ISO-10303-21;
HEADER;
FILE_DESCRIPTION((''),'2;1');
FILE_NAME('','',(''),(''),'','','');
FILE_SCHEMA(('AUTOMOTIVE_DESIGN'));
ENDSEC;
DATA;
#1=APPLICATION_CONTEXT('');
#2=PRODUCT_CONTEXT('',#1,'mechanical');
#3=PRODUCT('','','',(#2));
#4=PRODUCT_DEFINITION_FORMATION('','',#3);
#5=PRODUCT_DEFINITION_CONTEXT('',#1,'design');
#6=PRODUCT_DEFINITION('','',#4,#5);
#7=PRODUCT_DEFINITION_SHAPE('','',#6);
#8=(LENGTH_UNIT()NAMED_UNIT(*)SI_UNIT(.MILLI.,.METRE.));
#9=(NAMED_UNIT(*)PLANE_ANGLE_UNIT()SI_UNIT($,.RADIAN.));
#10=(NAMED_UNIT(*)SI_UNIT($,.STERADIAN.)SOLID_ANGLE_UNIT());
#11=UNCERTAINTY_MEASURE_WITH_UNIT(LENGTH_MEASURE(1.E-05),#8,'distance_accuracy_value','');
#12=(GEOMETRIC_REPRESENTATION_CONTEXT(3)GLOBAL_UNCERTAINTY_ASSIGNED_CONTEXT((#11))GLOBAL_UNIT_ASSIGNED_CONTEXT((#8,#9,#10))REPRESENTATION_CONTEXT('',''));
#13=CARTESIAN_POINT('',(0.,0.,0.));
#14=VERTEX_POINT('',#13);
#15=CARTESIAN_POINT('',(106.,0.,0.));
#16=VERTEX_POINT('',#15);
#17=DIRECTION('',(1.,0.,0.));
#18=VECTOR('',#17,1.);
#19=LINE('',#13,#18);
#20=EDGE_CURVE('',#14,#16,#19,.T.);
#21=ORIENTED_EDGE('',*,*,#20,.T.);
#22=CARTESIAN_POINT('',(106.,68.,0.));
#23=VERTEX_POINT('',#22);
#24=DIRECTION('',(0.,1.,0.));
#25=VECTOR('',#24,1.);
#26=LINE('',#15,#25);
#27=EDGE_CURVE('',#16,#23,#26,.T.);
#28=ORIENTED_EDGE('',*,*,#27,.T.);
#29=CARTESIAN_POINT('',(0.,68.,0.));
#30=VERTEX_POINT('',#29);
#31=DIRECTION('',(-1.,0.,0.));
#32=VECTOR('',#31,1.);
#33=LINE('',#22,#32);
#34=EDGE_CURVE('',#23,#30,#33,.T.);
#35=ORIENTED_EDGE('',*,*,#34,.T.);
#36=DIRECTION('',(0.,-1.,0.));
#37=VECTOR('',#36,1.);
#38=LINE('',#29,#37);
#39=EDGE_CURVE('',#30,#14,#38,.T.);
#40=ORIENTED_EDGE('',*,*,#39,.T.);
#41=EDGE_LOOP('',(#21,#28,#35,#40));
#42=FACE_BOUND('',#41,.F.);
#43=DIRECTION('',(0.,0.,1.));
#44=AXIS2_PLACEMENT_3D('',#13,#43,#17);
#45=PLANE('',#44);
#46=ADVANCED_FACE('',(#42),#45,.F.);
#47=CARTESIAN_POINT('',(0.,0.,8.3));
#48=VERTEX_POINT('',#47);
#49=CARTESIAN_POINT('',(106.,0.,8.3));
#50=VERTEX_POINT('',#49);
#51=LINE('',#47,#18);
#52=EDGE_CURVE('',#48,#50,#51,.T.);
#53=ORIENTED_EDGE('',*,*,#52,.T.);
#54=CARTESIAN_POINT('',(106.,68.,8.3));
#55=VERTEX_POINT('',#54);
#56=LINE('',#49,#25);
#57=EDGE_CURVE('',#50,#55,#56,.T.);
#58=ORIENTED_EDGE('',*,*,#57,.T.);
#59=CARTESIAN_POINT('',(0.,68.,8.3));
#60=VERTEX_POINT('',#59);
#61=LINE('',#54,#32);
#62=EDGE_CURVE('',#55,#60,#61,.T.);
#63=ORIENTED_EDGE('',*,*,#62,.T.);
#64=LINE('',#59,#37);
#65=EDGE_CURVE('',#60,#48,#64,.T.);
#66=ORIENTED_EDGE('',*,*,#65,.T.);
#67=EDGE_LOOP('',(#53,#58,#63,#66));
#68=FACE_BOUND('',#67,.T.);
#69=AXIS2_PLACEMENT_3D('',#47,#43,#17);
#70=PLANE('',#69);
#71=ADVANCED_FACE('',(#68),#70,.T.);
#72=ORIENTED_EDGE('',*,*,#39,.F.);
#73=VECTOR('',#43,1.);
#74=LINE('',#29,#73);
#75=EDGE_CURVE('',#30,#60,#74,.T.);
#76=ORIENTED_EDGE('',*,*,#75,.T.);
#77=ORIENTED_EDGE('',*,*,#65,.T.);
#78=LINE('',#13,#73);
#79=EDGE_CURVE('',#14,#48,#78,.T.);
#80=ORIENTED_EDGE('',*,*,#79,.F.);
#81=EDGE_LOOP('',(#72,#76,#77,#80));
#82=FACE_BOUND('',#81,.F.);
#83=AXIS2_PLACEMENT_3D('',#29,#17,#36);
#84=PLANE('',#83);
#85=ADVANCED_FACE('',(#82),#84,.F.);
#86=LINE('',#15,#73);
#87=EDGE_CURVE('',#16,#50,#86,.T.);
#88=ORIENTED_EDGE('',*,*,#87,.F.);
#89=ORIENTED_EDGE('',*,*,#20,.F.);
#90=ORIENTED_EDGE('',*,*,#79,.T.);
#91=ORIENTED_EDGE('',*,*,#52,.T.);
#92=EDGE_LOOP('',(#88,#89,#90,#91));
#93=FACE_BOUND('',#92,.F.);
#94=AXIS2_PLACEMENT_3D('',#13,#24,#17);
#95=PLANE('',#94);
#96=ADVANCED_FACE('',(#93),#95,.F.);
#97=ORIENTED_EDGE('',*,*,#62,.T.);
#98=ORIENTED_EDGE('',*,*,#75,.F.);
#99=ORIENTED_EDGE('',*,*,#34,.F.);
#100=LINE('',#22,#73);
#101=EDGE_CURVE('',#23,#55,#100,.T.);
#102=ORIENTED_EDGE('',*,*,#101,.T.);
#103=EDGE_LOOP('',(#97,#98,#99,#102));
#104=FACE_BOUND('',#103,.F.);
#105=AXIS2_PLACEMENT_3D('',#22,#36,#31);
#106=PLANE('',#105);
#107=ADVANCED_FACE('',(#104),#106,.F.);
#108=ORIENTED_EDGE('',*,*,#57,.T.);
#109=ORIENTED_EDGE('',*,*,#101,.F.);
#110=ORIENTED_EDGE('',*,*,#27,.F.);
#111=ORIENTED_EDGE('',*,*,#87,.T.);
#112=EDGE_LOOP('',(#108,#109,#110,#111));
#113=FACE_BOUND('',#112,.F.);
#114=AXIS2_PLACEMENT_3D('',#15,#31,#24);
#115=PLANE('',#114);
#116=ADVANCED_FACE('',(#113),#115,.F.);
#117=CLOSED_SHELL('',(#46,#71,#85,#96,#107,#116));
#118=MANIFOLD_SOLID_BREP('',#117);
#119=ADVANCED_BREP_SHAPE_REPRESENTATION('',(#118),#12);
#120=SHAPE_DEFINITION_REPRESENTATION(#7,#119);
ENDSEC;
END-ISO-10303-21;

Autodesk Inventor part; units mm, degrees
ref_plane "YZ Plane" through (0, 0, 0) normal (1, 0, 0) x (0, 1, 0)
ref_plane "XZ Plane" through (0, 0, 0) normal (0, 1, 0) x (-1, 0, 0)
ref_plane "XY Plane" through (0, 0, 0) normal (0, 0, 1) x (1, 0, 0)
sketch "Sketch1" plane through (0, 0, 0) normal (0, 0, 1) x (1, 0, 0)
  line L0 (0, 0) -> (106, 0)
  line L1 (106, 0) -> (106, 68)
  line L2 (106, 68) -> (0, 68)
  line L3 (0, 68) -> (0, 0)
  dimension "d0" = 106
  dimension "d1" = 68
extrude "Extrusion1" add sketch "Sketch1" along normal blind 8.3
properties part number "LCDScreen"
